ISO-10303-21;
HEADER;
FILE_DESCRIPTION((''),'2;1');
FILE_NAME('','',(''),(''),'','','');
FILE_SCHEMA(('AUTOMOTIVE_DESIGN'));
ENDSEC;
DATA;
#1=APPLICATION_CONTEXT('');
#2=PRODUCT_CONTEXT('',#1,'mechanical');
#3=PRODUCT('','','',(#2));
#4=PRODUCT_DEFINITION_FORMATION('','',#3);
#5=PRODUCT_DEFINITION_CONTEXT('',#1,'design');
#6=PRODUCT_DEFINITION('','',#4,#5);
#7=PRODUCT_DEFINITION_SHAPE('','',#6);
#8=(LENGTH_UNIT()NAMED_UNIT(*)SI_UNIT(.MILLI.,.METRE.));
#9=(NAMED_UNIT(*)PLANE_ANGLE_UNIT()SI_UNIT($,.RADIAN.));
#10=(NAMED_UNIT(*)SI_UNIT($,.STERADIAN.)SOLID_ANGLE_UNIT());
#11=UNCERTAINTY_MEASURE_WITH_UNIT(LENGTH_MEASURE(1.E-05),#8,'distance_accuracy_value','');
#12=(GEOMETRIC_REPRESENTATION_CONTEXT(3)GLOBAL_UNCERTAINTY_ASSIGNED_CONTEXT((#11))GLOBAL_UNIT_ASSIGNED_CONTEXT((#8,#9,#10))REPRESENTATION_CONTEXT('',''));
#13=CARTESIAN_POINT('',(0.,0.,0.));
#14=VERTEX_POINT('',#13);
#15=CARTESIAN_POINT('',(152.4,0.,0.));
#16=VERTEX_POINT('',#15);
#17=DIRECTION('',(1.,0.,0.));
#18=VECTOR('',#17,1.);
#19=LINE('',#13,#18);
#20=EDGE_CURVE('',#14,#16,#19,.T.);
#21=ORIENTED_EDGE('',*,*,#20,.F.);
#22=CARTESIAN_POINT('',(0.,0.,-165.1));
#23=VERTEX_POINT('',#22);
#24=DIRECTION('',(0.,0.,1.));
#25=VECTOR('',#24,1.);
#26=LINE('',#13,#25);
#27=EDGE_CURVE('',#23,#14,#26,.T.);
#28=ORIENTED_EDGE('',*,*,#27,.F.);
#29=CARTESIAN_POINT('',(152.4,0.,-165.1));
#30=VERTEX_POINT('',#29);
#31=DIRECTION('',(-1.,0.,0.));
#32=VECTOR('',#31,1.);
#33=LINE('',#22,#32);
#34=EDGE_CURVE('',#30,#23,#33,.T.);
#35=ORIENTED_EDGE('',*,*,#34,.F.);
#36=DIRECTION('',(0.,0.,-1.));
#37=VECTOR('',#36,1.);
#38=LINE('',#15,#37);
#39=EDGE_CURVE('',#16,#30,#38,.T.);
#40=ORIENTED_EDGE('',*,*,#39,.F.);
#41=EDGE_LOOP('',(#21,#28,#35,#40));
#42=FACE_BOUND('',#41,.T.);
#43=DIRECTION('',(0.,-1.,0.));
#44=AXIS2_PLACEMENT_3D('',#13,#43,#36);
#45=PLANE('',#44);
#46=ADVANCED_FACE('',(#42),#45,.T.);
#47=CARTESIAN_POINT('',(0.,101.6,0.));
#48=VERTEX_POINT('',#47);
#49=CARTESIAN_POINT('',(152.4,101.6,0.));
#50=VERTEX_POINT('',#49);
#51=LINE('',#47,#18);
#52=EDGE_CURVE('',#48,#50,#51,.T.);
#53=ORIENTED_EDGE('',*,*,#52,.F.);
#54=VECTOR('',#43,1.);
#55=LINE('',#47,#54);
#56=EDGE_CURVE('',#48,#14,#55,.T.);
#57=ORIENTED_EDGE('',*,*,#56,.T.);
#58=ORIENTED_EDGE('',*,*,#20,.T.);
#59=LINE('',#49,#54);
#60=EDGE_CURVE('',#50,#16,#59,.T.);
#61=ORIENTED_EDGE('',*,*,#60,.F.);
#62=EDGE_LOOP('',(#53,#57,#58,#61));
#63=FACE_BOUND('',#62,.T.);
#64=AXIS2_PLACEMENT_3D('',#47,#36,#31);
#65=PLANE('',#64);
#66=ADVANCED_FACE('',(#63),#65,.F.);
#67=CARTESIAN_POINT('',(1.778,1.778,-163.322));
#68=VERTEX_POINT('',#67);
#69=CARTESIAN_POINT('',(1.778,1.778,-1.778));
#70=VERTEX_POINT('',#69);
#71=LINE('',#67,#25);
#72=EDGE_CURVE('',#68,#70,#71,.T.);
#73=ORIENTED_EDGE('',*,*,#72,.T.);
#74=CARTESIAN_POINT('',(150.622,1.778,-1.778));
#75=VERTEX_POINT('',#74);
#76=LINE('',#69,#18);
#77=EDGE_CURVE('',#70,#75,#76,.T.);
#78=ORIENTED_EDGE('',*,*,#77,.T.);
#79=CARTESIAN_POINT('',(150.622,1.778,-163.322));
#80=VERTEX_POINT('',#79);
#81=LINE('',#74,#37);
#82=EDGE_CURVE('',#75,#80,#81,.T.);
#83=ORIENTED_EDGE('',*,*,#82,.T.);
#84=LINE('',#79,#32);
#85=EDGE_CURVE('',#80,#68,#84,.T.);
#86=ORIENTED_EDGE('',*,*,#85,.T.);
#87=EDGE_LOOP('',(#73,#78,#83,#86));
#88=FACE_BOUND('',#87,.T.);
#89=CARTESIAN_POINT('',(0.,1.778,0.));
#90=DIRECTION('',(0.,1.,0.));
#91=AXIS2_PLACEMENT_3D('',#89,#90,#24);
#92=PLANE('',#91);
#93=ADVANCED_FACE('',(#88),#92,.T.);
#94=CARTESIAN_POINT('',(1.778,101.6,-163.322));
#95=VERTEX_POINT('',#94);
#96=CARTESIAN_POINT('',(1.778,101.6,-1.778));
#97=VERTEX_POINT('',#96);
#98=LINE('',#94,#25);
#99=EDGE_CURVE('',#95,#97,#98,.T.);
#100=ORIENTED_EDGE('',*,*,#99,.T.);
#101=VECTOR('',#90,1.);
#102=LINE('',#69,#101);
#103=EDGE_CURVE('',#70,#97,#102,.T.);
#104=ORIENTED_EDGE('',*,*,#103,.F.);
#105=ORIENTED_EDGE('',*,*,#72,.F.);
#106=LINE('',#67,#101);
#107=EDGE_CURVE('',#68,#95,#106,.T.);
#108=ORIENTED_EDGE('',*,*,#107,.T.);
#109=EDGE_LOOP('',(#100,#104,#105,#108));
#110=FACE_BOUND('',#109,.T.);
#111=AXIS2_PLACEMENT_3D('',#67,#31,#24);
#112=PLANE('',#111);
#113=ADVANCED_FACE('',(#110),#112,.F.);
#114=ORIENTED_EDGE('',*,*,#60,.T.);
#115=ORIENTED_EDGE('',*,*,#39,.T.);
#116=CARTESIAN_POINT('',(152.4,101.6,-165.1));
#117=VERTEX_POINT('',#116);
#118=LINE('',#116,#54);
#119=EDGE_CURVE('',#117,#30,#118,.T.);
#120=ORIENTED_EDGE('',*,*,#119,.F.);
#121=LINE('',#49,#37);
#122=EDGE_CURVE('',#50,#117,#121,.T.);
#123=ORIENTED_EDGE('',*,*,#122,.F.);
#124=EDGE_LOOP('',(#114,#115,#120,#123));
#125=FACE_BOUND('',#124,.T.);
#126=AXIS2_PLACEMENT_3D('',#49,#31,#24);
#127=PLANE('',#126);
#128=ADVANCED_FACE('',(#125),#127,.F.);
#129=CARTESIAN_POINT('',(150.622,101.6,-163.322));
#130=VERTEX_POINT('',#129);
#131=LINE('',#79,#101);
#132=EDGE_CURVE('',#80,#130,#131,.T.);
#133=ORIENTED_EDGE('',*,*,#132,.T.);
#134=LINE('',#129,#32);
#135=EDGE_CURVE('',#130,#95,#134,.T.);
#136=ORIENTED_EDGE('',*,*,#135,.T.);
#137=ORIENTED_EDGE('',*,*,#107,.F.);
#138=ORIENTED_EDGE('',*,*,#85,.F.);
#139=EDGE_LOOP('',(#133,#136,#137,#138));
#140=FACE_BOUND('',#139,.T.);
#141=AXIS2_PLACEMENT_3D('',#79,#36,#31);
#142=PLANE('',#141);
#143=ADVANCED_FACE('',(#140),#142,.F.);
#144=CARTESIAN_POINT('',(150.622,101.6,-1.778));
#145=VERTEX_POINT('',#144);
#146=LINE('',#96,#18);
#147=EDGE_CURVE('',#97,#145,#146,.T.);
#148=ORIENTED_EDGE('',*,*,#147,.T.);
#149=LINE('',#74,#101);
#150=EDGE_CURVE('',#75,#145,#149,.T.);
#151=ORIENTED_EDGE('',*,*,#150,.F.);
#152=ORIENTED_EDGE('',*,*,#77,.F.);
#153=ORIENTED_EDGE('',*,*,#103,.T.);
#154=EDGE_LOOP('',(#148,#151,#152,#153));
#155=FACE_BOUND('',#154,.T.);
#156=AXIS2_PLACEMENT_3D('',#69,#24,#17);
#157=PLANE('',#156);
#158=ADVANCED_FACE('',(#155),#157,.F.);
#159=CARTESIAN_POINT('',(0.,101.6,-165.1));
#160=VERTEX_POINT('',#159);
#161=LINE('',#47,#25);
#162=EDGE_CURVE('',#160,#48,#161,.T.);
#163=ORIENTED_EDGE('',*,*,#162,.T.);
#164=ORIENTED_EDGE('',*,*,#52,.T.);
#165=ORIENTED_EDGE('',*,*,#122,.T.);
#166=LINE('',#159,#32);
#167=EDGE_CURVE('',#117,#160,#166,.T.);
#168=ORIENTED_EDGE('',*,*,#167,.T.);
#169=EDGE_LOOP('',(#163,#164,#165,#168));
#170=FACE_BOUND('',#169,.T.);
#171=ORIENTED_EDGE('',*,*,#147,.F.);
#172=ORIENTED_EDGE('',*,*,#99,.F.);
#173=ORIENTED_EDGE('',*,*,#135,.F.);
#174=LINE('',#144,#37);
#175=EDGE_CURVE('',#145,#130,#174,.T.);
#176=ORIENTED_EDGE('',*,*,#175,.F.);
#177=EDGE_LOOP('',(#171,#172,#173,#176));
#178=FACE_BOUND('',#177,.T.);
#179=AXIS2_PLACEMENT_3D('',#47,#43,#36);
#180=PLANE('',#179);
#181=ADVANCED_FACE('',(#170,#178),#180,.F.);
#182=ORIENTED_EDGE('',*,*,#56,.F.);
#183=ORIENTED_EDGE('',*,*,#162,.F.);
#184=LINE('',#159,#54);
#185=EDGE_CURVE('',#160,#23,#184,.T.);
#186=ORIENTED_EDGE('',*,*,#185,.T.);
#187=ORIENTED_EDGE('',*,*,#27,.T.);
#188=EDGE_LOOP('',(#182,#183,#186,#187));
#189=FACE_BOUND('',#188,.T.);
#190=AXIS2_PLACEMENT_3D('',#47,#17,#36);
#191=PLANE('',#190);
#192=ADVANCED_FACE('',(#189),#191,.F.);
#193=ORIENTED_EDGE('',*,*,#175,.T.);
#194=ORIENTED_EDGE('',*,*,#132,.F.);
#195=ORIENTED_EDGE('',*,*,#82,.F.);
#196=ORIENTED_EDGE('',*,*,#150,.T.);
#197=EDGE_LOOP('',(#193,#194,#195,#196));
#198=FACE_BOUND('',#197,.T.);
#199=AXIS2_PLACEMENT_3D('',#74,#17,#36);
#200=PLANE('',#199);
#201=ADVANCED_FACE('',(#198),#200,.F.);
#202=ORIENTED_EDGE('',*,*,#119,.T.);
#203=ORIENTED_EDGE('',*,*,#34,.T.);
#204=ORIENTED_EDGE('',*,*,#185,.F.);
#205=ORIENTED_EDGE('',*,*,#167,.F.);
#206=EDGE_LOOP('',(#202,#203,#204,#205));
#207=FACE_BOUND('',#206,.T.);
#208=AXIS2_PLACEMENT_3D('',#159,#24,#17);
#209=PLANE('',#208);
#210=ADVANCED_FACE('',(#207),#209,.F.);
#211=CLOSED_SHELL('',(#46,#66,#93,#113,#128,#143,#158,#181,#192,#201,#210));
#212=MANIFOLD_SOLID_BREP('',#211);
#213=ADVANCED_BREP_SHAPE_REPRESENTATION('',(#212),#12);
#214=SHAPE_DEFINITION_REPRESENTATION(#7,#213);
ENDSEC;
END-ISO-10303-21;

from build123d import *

# Parameters (mm, degrees)
SKETCH1_W           = 152.4
SKETCH1_H           = 165.1
BOSS_EXTRUDE1_DEPTH = 101.6
SKETCH2_W           = 148.844
SKETCH2_H           = 161.544
CUT_EXTRUDE1_DEPTH  = 99.822


with BuildPart() as part:
    # Sketch1 → Boss-Extrude1 (new body)
    with BuildSketch(Plane(origin=(0, 0, 0), x_dir=(1, 0, 0), z_dir=(0, 1, 0))):
        with Locations((76.2, 82.55)):
            Rectangle(SKETCH1_W, SKETCH1_H)
    extrude(amount=BOSS_EXTRUDE1_DEPTH)

    # Sketch2 → Cut-Extrude1 (cut)
    with BuildSketch(Plane(origin=(0, 101.6, 0), x_dir=(1, 0, 0), z_dir=(0, 1, 0))):
        with Locations((76.2, 82.55)):
            Rectangle(SKETCH2_W, SKETCH2_H)
    extrude(amount=-CUT_EXTRUDE1_DEPTH, mode=Mode.SUBTRACT)


solid = part.part
